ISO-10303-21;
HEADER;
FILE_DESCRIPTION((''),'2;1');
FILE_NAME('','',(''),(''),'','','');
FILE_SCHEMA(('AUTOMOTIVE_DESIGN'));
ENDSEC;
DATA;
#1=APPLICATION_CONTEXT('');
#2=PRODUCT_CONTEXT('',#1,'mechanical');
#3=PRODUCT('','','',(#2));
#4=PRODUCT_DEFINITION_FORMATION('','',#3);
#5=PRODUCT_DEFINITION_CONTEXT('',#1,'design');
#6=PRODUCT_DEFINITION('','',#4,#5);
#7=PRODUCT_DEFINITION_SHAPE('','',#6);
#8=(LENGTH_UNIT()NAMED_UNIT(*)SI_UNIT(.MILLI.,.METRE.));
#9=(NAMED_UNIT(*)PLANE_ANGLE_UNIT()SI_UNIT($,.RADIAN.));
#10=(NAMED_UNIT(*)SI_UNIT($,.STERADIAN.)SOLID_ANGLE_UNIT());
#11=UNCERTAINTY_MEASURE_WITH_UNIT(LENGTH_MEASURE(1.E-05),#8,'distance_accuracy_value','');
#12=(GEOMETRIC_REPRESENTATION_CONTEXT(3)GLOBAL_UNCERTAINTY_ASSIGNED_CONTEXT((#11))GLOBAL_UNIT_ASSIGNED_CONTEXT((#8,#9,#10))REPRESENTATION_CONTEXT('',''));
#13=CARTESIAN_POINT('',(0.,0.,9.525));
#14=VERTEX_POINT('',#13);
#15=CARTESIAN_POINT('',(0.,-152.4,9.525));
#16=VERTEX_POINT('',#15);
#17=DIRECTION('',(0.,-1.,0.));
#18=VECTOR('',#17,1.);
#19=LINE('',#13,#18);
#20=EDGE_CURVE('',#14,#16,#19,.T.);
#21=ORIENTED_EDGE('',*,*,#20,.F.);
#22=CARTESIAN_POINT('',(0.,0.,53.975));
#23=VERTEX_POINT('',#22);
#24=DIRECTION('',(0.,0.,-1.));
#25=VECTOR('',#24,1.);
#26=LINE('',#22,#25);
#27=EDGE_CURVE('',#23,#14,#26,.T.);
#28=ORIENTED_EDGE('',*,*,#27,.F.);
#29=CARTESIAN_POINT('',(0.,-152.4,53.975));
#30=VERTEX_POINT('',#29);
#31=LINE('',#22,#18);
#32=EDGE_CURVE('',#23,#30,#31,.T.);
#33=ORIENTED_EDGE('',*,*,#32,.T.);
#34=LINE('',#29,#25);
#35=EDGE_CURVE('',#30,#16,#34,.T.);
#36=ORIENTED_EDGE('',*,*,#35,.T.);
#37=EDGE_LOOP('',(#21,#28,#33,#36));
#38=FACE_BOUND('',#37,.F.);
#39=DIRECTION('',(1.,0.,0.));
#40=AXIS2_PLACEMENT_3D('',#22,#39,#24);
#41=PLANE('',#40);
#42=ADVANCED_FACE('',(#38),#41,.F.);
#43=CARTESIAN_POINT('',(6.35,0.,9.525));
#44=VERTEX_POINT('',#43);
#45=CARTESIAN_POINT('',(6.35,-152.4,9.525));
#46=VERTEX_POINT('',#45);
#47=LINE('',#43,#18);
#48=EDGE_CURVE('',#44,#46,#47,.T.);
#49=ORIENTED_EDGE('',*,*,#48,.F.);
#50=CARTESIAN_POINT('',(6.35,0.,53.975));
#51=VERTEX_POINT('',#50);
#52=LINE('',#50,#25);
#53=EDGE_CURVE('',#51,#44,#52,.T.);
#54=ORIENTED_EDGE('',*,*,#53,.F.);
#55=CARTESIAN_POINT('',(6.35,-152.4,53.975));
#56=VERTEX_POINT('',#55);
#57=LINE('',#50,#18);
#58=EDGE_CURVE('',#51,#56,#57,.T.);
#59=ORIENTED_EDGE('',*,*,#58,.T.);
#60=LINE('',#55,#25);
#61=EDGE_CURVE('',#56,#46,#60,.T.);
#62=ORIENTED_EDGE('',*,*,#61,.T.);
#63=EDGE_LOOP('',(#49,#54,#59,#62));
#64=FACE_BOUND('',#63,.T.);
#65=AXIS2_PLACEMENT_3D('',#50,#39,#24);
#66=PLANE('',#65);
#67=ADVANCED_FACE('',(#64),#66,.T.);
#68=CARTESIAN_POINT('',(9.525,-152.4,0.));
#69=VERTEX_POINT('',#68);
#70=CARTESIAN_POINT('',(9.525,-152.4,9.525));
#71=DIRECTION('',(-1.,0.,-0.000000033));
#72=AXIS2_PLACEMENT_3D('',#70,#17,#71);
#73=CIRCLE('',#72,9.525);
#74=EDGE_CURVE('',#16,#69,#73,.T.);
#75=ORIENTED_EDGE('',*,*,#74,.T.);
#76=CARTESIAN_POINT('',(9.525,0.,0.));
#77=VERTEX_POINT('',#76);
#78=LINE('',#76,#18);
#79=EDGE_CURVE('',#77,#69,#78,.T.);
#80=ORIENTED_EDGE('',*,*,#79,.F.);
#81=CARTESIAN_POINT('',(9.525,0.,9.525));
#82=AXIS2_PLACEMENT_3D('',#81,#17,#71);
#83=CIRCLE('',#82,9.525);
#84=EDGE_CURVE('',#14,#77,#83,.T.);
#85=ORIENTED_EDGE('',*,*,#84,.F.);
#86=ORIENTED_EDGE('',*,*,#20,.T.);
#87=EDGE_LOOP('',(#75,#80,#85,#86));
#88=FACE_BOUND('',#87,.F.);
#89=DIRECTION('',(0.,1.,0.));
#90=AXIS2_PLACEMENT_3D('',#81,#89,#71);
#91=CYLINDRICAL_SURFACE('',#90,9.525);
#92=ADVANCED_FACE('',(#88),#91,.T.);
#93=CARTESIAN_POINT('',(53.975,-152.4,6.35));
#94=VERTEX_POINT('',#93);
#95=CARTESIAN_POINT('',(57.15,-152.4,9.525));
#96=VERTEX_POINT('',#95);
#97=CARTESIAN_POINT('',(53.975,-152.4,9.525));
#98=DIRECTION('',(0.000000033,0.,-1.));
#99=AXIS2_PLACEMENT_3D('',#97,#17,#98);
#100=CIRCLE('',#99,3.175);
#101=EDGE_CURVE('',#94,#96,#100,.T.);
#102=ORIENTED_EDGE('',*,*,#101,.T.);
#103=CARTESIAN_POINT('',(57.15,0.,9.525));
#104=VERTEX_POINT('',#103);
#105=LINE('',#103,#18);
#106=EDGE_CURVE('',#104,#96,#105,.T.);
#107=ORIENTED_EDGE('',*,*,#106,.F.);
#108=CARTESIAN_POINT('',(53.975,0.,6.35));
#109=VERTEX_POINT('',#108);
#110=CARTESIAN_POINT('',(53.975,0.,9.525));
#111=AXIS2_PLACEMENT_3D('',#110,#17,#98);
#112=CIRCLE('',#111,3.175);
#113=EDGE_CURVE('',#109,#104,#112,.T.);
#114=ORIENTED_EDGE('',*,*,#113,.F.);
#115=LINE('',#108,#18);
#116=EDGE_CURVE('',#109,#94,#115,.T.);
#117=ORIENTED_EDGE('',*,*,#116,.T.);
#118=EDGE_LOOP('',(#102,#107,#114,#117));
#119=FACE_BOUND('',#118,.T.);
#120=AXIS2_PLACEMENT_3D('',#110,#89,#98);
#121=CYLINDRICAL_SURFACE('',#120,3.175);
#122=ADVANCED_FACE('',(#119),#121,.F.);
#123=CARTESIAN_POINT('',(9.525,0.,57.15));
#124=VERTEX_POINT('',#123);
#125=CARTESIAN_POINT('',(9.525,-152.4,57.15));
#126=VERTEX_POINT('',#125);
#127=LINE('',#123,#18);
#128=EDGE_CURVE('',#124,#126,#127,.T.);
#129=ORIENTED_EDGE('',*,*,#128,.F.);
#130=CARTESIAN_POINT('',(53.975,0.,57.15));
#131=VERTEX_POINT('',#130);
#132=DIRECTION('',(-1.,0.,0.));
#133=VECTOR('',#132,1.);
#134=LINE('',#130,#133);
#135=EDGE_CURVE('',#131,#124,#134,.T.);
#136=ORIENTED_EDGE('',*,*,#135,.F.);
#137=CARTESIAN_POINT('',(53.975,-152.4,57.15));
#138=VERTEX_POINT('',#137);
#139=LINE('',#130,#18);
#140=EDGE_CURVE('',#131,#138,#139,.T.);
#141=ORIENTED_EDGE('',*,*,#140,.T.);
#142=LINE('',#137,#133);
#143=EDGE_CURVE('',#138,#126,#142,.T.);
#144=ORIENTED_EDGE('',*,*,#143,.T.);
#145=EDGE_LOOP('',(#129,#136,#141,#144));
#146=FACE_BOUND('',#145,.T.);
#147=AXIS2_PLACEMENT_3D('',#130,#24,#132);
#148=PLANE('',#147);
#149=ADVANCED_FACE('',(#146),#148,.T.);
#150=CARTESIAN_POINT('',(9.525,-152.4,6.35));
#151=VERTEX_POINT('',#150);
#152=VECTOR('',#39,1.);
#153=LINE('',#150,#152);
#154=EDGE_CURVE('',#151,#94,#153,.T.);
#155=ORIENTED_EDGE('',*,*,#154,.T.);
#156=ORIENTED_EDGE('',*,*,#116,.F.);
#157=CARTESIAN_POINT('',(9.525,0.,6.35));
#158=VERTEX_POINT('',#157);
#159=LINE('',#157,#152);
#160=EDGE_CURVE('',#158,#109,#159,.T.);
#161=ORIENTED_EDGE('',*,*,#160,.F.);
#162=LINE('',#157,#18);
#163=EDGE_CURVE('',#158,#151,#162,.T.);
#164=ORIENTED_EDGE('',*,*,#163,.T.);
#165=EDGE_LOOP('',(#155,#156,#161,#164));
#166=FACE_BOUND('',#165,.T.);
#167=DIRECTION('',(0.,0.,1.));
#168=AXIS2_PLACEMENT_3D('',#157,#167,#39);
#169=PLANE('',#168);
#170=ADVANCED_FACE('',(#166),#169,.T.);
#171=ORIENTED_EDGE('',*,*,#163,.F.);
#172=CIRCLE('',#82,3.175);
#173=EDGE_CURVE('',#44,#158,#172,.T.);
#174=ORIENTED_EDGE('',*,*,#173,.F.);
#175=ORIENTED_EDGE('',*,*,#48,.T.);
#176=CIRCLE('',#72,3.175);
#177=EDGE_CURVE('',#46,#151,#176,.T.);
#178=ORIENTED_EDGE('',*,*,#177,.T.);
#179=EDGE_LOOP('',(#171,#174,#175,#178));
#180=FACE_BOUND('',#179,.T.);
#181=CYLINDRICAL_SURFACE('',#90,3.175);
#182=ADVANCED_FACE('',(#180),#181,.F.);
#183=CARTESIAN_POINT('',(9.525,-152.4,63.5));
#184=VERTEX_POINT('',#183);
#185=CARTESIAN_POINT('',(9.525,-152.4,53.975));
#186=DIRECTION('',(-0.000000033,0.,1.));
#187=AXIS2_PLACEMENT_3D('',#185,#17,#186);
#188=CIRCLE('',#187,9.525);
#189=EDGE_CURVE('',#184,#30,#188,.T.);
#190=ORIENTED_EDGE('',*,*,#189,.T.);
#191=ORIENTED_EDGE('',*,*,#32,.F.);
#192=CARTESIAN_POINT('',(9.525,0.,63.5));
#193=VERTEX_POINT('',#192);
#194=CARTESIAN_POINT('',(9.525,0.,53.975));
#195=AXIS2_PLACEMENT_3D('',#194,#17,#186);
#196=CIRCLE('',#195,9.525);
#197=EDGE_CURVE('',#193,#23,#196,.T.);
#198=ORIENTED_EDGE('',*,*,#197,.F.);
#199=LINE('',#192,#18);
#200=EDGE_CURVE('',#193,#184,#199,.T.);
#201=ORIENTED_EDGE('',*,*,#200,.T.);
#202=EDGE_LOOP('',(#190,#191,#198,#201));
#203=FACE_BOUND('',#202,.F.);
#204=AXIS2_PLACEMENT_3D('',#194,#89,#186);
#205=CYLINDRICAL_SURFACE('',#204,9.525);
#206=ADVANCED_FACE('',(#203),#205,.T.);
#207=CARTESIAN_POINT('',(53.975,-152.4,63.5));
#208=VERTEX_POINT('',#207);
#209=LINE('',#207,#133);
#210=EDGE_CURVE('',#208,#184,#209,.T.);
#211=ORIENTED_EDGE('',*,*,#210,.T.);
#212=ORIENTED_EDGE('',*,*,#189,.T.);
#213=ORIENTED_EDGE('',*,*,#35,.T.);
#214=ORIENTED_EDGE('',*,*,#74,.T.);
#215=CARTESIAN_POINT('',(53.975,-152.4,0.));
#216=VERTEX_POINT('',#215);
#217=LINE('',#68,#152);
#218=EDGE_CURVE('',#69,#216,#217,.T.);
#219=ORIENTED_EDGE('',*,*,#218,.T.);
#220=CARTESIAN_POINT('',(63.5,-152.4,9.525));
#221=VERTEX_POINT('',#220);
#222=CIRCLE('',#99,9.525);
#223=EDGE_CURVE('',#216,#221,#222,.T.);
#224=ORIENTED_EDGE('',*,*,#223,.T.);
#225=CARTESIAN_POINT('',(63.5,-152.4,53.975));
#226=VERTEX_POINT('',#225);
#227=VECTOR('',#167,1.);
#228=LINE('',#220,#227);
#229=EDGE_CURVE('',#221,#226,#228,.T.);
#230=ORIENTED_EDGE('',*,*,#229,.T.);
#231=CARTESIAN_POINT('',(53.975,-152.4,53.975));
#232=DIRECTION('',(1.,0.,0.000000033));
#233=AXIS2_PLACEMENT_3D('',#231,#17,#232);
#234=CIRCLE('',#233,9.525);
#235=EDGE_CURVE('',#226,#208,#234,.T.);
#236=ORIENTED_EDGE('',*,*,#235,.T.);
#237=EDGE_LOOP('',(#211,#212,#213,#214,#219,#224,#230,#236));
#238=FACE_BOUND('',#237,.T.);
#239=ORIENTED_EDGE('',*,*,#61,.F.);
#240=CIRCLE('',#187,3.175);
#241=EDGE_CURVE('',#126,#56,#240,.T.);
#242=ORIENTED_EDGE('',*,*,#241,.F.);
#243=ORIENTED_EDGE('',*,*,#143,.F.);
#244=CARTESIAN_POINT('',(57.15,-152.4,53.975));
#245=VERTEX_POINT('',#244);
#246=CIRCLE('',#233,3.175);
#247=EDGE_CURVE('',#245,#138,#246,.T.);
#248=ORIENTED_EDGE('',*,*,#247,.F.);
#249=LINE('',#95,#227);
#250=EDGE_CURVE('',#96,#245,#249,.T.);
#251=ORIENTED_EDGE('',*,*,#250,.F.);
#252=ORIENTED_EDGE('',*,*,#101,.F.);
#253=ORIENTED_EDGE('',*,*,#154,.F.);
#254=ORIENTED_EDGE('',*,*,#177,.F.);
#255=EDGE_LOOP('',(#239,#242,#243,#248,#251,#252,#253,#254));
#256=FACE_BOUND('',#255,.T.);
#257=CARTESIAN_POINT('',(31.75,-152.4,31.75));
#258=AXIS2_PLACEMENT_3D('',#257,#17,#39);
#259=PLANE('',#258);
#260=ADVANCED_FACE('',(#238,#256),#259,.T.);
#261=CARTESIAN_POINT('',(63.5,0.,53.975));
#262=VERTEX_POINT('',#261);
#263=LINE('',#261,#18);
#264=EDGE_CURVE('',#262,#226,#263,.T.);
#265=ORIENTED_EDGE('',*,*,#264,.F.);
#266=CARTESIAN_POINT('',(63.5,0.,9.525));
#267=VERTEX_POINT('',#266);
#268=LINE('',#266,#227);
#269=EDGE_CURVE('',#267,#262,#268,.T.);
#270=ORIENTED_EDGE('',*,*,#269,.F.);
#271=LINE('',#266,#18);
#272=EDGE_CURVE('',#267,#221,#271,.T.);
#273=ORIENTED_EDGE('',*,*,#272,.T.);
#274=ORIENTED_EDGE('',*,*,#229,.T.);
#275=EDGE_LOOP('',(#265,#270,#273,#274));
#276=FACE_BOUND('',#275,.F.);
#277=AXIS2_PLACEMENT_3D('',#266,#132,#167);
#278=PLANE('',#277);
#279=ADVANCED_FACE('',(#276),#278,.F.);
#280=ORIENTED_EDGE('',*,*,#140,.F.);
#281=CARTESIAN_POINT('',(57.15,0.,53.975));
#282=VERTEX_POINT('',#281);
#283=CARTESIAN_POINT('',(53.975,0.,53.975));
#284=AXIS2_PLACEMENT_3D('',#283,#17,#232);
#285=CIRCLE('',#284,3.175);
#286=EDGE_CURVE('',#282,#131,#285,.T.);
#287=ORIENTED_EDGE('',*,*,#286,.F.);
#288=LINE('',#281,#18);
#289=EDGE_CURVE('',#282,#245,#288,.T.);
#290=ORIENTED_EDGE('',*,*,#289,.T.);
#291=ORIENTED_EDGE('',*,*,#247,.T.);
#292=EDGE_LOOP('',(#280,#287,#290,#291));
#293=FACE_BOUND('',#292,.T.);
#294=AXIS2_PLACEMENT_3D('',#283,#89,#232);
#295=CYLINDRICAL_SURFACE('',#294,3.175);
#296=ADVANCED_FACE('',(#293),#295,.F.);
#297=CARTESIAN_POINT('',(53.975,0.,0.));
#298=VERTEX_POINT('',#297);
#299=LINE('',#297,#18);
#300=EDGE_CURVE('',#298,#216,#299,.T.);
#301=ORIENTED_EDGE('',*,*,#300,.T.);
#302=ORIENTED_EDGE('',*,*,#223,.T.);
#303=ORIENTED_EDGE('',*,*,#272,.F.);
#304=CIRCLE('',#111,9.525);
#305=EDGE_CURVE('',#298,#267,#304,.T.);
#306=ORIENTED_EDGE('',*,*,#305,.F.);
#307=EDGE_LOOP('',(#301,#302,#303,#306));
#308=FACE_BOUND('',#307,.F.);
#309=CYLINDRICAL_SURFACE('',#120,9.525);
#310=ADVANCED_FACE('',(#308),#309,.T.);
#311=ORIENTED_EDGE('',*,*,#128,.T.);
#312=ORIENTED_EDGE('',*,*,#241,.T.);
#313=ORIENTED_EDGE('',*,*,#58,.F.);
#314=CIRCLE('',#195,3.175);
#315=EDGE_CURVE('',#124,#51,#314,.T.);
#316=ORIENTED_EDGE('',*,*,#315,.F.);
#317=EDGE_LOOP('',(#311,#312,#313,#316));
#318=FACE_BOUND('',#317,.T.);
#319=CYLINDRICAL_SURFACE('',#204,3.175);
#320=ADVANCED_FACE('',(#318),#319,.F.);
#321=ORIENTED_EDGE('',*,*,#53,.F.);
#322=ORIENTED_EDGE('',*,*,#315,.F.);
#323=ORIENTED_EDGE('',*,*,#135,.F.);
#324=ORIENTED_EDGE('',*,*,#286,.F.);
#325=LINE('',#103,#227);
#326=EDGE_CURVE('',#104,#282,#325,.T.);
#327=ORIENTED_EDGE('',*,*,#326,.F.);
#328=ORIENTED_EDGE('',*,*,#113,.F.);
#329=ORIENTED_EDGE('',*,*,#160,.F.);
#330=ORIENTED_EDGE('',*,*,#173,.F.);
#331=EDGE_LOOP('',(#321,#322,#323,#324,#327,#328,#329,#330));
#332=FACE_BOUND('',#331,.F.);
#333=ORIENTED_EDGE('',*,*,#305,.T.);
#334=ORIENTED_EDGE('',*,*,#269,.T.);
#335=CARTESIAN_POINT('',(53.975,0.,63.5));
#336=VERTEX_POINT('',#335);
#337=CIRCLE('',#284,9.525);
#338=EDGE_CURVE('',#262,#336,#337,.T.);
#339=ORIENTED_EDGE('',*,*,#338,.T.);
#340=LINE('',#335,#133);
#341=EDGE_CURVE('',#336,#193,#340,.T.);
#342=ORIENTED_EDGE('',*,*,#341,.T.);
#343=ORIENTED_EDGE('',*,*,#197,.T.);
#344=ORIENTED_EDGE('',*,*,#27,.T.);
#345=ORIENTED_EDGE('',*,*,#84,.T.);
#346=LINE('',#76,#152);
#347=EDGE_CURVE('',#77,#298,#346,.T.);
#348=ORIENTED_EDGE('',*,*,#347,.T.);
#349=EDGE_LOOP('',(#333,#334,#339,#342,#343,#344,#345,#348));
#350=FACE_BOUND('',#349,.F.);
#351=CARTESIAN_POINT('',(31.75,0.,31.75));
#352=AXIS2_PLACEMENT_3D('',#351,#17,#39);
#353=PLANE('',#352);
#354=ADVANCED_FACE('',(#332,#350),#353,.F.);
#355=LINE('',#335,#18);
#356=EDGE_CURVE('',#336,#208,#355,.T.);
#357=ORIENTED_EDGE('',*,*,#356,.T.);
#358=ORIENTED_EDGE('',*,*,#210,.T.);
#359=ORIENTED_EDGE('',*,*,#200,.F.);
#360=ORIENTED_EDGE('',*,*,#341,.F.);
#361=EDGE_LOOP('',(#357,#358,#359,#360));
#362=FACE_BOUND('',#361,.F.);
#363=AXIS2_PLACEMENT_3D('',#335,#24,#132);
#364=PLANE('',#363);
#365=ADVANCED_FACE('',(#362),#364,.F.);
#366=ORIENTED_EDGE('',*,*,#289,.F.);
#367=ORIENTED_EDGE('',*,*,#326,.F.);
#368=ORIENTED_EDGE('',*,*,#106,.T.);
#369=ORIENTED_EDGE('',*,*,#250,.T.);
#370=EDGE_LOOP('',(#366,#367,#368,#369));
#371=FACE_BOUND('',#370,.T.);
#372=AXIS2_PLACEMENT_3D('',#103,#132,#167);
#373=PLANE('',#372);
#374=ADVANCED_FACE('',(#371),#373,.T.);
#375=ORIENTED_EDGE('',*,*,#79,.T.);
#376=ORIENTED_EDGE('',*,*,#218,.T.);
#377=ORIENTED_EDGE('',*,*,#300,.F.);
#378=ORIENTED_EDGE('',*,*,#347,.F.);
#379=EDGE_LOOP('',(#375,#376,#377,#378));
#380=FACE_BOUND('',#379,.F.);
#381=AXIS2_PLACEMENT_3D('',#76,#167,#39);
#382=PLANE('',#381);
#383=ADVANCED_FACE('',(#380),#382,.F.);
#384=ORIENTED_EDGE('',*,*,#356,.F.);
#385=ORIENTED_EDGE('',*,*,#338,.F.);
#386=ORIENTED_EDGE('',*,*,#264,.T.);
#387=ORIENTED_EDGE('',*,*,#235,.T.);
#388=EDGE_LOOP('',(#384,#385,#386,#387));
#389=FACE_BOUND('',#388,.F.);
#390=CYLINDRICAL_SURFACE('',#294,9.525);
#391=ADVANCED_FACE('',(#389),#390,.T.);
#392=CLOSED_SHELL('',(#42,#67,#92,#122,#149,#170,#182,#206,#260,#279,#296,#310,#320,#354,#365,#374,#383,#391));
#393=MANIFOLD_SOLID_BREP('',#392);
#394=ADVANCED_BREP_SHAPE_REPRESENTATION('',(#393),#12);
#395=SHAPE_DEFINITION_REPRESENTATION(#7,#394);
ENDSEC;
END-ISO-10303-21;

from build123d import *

# Parameters (mm, degrees)
F1_DEPTH = 152.4
F2_T     = -6.35


with BuildPart() as f1:
    # F0 (on Front) → F1 (new body)
    with BuildSketch(Plane.XZ):
        with BuildLine():
            ThreePointArc((0, 9.525), (2.789808, 2.789808), (9.525, 0))
            Line((9.525, 0), (53.975, 0))
            ThreePointArc((53.975, 0), (60.710192, 2.789808), (63.5, 9.525))
            Line((63.5, 9.525), (63.5, 53.975))
            ThreePointArc((63.5, 53.975), (60.710192, 60.710192), (53.975, 63.5))
            Line((53.975, 63.5), (9.525, 63.5))
            ThreePointArc((9.525, 63.5), (2.789808, 60.710192), (0, 53.975))
            Line((0, 53.975), (0, 9.525))
        make_face()
    extrude(amount=F1_DEPTH)

    # F2
    f2_openings = [f1.faces().sort_by_distance(p)[0] for p in [
        (31.75, -152.4, 31.75),
        (31.75, 0, 31.75),
    ]]
    offset(amount=F2_T, openings=f2_openings)


solid = f1.part
